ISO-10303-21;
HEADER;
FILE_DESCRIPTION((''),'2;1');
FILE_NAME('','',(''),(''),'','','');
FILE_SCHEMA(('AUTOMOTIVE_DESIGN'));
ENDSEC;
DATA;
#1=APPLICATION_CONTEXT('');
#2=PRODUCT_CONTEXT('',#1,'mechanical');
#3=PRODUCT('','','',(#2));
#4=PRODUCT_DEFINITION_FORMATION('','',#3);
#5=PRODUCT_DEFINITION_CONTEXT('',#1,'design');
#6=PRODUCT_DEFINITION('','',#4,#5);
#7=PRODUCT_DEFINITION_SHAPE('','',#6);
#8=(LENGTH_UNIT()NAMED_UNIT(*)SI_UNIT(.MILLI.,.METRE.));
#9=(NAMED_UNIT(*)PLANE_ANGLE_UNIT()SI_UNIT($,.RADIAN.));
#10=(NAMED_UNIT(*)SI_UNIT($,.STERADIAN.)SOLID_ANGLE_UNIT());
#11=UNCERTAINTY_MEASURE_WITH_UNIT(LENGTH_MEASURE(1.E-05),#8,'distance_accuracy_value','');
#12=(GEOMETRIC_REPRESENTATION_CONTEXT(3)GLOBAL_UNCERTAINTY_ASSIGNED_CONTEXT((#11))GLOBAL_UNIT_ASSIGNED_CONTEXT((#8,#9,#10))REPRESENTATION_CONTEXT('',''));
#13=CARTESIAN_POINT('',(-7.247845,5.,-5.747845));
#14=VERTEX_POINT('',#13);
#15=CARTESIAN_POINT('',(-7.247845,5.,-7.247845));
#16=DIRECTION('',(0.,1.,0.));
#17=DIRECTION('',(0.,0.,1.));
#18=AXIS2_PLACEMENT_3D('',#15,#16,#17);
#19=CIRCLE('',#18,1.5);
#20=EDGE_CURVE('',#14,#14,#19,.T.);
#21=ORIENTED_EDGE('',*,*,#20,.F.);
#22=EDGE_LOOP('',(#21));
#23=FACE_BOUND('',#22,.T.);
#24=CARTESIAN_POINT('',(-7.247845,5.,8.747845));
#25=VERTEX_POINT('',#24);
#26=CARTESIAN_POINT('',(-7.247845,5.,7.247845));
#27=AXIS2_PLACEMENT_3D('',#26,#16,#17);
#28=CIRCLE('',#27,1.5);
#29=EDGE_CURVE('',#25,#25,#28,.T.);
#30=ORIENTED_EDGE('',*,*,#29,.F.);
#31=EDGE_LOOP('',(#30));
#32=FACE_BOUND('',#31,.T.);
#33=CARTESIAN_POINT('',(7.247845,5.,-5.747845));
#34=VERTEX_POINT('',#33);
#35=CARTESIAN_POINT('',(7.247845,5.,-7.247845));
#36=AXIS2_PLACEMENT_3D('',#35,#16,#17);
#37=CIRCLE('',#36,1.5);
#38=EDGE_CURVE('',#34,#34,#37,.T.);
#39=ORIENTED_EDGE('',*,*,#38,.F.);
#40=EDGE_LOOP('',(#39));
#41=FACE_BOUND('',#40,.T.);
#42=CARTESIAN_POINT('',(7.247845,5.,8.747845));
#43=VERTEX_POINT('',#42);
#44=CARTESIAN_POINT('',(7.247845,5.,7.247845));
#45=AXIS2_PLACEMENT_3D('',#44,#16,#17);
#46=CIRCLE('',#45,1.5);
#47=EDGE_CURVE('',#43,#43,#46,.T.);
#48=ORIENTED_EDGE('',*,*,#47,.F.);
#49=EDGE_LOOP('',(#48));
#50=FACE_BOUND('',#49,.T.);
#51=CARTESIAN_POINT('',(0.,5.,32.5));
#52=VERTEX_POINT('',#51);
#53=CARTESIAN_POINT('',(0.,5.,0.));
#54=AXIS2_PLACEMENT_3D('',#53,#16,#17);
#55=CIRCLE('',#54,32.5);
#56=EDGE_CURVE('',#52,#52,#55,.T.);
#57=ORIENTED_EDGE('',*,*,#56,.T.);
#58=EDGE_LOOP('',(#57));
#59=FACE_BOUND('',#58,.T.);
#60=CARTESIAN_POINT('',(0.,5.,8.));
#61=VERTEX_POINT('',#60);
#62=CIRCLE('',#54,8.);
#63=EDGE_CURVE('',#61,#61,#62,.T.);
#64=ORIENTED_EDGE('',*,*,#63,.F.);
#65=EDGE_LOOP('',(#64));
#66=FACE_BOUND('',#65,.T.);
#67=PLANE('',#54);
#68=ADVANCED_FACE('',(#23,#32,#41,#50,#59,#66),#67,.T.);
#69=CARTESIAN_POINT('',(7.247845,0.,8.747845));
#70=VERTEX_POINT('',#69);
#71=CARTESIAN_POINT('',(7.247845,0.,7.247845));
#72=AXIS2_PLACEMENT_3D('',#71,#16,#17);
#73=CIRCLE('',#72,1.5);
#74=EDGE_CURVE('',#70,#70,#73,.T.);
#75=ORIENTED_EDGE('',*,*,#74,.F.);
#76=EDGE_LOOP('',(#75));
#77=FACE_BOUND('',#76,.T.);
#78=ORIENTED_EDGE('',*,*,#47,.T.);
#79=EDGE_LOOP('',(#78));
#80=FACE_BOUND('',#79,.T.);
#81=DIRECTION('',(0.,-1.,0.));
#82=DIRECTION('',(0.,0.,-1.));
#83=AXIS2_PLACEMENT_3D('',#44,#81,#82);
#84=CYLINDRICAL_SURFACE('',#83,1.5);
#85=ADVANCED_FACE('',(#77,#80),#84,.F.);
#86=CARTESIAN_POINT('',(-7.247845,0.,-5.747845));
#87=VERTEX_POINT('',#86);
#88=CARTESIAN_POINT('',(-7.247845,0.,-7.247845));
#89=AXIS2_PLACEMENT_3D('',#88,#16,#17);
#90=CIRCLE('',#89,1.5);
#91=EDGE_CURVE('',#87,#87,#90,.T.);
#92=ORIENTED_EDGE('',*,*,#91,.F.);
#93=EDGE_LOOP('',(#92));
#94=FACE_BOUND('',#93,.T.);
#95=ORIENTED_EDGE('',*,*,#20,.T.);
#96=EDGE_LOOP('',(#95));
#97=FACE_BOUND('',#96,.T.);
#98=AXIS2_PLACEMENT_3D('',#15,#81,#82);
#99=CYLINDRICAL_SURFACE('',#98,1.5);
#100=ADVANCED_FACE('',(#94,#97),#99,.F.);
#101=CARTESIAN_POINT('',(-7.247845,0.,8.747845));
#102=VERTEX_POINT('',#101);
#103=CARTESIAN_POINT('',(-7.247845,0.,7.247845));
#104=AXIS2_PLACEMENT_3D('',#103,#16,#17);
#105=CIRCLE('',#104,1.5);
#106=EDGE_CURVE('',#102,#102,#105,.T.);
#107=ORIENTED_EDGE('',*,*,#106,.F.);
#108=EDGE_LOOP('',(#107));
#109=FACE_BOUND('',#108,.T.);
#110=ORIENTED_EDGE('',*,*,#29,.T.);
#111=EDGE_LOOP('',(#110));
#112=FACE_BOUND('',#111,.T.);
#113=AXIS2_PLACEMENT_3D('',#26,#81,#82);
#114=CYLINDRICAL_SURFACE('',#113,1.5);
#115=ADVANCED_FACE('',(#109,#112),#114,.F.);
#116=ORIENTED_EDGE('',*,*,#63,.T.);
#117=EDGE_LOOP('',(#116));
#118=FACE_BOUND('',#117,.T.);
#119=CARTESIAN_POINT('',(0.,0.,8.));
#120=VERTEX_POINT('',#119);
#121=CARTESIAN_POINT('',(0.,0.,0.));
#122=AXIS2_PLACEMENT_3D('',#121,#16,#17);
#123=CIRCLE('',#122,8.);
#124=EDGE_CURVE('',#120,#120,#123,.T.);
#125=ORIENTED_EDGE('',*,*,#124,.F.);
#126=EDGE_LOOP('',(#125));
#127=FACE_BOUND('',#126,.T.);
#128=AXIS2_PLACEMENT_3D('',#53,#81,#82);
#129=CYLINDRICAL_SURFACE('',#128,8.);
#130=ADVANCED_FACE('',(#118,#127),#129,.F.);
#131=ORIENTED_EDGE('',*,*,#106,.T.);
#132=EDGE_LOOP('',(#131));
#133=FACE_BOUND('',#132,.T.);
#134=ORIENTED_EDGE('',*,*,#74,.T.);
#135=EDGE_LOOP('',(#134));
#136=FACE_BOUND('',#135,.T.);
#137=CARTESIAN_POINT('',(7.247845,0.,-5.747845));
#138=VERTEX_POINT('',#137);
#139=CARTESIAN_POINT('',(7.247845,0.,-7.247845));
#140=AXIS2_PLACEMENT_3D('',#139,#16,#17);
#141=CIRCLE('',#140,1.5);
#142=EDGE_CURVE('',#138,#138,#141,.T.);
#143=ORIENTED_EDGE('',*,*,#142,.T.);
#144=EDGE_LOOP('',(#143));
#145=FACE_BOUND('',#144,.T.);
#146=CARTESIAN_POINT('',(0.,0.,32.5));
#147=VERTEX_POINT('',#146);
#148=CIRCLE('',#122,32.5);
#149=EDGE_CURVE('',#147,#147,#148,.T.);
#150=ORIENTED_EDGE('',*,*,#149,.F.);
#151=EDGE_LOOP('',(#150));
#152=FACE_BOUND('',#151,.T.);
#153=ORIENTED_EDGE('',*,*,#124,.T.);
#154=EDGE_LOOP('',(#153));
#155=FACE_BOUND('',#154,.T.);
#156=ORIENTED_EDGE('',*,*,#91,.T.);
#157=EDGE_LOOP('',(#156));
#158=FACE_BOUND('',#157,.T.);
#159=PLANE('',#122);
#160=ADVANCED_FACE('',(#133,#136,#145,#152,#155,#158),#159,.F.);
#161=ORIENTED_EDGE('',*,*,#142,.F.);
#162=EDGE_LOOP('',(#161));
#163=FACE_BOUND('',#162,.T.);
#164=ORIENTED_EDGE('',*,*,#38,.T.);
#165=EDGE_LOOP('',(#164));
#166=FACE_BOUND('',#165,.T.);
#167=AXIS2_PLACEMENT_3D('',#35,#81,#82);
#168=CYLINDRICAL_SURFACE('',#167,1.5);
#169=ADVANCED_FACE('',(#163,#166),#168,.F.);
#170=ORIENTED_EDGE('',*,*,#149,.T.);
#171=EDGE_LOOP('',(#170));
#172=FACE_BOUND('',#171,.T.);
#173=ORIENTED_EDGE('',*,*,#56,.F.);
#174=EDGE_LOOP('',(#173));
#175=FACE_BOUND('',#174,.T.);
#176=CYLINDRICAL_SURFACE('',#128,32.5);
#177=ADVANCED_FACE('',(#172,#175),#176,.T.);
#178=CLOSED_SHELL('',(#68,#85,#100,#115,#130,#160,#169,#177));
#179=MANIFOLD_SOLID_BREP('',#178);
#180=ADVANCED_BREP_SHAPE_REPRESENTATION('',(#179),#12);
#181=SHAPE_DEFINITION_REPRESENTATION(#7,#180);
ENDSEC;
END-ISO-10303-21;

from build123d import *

# Parameters (mm, degrees)
SKETCH1_R           = 32.5
SKETCH1_R_2         = 8
SKETCH1_R_3         = 1.5
BOSS_EXTRUDE1_DEPTH = 5


with BuildPart() as part:
    # Sketch1 → Boss-Extrude1 (new body)
    with BuildSketch(Plane(origin=(0, 0, 0), x_dir=(1, 0, 0), z_dir=(0, 1, 0))):
        Circle(SKETCH1_R)
        Circle(SKETCH1_R_2, mode=Mode.SUBTRACT)
        with Locations((-7.247844507, 7.247844507)):
            Circle(SKETCH1_R_3, mode=Mode.SUBTRACT)
        with Locations((7.247844507, 7.247844507)):
            Circle(SKETCH1_R_3, mode=Mode.SUBTRACT)
        with Locations((7.247844507, -7.247844507)):
            Circle(SKETCH1_R_3, mode=Mode.SUBTRACT)
        with Locations((-7.247844507, -7.247844507)):
            Circle(SKETCH1_R_3, mode=Mode.SUBTRACT)
    extrude(amount=BOSS_EXTRUDE1_DEPTH)


solid = part.part
